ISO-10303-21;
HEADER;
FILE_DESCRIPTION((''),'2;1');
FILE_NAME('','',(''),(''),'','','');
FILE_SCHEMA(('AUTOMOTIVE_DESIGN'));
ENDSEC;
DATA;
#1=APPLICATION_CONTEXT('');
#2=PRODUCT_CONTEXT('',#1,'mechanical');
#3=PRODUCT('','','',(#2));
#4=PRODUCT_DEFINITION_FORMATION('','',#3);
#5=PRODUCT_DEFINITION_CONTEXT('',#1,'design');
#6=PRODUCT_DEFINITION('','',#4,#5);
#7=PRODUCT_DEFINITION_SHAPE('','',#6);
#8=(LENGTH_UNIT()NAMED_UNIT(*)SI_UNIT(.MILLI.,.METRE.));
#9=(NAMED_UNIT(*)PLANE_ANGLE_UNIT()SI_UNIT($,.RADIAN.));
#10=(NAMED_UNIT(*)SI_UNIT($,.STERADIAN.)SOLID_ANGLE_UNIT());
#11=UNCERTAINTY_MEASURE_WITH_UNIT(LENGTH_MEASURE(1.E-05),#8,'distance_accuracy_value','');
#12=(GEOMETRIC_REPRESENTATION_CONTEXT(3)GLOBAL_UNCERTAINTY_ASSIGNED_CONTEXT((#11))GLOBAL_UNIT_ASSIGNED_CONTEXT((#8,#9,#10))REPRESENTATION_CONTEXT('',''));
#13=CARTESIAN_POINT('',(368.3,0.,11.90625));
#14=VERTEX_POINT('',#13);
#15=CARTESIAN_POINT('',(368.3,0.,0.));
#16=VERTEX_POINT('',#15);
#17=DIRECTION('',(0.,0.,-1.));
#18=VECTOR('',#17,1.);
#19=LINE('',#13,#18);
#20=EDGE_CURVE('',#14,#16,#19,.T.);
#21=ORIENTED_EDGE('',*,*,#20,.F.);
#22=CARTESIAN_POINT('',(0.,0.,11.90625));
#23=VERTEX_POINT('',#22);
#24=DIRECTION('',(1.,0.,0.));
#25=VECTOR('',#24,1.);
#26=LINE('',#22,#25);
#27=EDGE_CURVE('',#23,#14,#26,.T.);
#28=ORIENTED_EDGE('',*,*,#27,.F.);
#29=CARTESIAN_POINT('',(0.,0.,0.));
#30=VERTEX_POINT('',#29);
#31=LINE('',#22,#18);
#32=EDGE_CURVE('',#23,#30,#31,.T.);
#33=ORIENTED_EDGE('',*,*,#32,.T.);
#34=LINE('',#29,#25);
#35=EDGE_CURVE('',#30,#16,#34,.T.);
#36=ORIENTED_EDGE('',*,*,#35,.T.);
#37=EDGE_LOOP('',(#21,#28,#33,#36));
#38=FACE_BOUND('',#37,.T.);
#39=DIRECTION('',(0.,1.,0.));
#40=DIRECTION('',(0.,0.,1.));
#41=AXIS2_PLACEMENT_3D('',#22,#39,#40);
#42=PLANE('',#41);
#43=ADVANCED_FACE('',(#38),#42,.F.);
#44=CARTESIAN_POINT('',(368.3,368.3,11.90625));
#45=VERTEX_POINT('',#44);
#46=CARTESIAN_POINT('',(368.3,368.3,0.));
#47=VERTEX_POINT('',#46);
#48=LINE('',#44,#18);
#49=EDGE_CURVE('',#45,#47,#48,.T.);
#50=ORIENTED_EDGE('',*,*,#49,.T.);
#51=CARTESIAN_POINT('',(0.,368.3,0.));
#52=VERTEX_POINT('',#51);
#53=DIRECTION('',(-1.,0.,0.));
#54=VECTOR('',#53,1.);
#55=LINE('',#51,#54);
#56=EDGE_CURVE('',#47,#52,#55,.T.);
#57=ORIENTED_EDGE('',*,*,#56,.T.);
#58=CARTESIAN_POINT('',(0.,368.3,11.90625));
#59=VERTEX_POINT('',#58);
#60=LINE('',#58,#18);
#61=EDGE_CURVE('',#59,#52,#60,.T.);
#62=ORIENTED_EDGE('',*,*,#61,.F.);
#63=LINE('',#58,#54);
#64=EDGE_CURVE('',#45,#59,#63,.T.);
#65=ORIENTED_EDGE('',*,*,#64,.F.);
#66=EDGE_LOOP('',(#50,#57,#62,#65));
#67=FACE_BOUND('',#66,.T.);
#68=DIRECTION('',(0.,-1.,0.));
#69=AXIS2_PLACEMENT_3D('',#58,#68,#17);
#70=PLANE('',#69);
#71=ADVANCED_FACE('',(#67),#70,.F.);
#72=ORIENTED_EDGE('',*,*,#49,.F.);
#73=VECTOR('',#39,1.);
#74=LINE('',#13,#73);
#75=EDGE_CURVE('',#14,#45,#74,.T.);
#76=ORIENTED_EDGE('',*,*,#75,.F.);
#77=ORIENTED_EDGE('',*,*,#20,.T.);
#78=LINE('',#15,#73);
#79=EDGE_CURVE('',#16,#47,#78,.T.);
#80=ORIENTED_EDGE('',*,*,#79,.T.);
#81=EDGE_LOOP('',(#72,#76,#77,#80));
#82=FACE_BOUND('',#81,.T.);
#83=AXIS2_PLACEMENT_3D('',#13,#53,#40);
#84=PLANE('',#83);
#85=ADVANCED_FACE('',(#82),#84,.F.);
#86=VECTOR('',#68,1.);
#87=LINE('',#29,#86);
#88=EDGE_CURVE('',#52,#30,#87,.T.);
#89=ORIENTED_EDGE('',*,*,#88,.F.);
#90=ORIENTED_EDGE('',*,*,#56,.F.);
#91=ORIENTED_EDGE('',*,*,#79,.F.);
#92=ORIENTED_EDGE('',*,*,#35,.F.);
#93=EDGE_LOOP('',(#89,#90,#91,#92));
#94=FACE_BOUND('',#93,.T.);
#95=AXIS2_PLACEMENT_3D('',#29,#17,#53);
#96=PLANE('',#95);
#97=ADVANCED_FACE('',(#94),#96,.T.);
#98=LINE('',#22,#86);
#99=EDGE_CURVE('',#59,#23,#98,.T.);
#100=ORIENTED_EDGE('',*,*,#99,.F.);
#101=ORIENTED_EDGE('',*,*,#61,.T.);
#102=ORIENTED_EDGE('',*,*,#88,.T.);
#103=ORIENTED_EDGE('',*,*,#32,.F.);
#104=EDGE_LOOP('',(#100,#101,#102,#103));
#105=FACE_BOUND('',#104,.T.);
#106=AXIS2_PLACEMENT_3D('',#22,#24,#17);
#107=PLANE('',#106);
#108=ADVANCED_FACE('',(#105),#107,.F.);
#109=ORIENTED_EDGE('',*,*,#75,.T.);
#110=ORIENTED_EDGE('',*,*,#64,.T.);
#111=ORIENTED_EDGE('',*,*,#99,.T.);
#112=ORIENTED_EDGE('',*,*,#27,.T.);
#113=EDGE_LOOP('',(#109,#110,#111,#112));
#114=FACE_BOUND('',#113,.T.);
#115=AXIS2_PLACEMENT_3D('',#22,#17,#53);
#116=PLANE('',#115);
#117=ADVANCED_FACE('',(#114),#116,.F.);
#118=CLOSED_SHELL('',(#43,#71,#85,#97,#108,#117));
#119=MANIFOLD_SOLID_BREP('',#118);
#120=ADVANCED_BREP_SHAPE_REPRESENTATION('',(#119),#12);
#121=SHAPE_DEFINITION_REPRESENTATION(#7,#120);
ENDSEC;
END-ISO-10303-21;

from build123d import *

# Parameters (mm, degrees)
SKETCH1_W           = 368.3
SKETCH1_H           = 368.3
BOSS_EXTRUDE1_DEPTH = 11.90625


with BuildPart() as part:
    # Sketch1 → Boss-Extrude1 (new body)
    with BuildSketch(Plane.XY):
        with Locations((184.15, 184.15)):
            Rectangle(SKETCH1_W, SKETCH1_H)
    extrude(amount=BOSS_EXTRUDE1_DEPTH)


solid = part.part
